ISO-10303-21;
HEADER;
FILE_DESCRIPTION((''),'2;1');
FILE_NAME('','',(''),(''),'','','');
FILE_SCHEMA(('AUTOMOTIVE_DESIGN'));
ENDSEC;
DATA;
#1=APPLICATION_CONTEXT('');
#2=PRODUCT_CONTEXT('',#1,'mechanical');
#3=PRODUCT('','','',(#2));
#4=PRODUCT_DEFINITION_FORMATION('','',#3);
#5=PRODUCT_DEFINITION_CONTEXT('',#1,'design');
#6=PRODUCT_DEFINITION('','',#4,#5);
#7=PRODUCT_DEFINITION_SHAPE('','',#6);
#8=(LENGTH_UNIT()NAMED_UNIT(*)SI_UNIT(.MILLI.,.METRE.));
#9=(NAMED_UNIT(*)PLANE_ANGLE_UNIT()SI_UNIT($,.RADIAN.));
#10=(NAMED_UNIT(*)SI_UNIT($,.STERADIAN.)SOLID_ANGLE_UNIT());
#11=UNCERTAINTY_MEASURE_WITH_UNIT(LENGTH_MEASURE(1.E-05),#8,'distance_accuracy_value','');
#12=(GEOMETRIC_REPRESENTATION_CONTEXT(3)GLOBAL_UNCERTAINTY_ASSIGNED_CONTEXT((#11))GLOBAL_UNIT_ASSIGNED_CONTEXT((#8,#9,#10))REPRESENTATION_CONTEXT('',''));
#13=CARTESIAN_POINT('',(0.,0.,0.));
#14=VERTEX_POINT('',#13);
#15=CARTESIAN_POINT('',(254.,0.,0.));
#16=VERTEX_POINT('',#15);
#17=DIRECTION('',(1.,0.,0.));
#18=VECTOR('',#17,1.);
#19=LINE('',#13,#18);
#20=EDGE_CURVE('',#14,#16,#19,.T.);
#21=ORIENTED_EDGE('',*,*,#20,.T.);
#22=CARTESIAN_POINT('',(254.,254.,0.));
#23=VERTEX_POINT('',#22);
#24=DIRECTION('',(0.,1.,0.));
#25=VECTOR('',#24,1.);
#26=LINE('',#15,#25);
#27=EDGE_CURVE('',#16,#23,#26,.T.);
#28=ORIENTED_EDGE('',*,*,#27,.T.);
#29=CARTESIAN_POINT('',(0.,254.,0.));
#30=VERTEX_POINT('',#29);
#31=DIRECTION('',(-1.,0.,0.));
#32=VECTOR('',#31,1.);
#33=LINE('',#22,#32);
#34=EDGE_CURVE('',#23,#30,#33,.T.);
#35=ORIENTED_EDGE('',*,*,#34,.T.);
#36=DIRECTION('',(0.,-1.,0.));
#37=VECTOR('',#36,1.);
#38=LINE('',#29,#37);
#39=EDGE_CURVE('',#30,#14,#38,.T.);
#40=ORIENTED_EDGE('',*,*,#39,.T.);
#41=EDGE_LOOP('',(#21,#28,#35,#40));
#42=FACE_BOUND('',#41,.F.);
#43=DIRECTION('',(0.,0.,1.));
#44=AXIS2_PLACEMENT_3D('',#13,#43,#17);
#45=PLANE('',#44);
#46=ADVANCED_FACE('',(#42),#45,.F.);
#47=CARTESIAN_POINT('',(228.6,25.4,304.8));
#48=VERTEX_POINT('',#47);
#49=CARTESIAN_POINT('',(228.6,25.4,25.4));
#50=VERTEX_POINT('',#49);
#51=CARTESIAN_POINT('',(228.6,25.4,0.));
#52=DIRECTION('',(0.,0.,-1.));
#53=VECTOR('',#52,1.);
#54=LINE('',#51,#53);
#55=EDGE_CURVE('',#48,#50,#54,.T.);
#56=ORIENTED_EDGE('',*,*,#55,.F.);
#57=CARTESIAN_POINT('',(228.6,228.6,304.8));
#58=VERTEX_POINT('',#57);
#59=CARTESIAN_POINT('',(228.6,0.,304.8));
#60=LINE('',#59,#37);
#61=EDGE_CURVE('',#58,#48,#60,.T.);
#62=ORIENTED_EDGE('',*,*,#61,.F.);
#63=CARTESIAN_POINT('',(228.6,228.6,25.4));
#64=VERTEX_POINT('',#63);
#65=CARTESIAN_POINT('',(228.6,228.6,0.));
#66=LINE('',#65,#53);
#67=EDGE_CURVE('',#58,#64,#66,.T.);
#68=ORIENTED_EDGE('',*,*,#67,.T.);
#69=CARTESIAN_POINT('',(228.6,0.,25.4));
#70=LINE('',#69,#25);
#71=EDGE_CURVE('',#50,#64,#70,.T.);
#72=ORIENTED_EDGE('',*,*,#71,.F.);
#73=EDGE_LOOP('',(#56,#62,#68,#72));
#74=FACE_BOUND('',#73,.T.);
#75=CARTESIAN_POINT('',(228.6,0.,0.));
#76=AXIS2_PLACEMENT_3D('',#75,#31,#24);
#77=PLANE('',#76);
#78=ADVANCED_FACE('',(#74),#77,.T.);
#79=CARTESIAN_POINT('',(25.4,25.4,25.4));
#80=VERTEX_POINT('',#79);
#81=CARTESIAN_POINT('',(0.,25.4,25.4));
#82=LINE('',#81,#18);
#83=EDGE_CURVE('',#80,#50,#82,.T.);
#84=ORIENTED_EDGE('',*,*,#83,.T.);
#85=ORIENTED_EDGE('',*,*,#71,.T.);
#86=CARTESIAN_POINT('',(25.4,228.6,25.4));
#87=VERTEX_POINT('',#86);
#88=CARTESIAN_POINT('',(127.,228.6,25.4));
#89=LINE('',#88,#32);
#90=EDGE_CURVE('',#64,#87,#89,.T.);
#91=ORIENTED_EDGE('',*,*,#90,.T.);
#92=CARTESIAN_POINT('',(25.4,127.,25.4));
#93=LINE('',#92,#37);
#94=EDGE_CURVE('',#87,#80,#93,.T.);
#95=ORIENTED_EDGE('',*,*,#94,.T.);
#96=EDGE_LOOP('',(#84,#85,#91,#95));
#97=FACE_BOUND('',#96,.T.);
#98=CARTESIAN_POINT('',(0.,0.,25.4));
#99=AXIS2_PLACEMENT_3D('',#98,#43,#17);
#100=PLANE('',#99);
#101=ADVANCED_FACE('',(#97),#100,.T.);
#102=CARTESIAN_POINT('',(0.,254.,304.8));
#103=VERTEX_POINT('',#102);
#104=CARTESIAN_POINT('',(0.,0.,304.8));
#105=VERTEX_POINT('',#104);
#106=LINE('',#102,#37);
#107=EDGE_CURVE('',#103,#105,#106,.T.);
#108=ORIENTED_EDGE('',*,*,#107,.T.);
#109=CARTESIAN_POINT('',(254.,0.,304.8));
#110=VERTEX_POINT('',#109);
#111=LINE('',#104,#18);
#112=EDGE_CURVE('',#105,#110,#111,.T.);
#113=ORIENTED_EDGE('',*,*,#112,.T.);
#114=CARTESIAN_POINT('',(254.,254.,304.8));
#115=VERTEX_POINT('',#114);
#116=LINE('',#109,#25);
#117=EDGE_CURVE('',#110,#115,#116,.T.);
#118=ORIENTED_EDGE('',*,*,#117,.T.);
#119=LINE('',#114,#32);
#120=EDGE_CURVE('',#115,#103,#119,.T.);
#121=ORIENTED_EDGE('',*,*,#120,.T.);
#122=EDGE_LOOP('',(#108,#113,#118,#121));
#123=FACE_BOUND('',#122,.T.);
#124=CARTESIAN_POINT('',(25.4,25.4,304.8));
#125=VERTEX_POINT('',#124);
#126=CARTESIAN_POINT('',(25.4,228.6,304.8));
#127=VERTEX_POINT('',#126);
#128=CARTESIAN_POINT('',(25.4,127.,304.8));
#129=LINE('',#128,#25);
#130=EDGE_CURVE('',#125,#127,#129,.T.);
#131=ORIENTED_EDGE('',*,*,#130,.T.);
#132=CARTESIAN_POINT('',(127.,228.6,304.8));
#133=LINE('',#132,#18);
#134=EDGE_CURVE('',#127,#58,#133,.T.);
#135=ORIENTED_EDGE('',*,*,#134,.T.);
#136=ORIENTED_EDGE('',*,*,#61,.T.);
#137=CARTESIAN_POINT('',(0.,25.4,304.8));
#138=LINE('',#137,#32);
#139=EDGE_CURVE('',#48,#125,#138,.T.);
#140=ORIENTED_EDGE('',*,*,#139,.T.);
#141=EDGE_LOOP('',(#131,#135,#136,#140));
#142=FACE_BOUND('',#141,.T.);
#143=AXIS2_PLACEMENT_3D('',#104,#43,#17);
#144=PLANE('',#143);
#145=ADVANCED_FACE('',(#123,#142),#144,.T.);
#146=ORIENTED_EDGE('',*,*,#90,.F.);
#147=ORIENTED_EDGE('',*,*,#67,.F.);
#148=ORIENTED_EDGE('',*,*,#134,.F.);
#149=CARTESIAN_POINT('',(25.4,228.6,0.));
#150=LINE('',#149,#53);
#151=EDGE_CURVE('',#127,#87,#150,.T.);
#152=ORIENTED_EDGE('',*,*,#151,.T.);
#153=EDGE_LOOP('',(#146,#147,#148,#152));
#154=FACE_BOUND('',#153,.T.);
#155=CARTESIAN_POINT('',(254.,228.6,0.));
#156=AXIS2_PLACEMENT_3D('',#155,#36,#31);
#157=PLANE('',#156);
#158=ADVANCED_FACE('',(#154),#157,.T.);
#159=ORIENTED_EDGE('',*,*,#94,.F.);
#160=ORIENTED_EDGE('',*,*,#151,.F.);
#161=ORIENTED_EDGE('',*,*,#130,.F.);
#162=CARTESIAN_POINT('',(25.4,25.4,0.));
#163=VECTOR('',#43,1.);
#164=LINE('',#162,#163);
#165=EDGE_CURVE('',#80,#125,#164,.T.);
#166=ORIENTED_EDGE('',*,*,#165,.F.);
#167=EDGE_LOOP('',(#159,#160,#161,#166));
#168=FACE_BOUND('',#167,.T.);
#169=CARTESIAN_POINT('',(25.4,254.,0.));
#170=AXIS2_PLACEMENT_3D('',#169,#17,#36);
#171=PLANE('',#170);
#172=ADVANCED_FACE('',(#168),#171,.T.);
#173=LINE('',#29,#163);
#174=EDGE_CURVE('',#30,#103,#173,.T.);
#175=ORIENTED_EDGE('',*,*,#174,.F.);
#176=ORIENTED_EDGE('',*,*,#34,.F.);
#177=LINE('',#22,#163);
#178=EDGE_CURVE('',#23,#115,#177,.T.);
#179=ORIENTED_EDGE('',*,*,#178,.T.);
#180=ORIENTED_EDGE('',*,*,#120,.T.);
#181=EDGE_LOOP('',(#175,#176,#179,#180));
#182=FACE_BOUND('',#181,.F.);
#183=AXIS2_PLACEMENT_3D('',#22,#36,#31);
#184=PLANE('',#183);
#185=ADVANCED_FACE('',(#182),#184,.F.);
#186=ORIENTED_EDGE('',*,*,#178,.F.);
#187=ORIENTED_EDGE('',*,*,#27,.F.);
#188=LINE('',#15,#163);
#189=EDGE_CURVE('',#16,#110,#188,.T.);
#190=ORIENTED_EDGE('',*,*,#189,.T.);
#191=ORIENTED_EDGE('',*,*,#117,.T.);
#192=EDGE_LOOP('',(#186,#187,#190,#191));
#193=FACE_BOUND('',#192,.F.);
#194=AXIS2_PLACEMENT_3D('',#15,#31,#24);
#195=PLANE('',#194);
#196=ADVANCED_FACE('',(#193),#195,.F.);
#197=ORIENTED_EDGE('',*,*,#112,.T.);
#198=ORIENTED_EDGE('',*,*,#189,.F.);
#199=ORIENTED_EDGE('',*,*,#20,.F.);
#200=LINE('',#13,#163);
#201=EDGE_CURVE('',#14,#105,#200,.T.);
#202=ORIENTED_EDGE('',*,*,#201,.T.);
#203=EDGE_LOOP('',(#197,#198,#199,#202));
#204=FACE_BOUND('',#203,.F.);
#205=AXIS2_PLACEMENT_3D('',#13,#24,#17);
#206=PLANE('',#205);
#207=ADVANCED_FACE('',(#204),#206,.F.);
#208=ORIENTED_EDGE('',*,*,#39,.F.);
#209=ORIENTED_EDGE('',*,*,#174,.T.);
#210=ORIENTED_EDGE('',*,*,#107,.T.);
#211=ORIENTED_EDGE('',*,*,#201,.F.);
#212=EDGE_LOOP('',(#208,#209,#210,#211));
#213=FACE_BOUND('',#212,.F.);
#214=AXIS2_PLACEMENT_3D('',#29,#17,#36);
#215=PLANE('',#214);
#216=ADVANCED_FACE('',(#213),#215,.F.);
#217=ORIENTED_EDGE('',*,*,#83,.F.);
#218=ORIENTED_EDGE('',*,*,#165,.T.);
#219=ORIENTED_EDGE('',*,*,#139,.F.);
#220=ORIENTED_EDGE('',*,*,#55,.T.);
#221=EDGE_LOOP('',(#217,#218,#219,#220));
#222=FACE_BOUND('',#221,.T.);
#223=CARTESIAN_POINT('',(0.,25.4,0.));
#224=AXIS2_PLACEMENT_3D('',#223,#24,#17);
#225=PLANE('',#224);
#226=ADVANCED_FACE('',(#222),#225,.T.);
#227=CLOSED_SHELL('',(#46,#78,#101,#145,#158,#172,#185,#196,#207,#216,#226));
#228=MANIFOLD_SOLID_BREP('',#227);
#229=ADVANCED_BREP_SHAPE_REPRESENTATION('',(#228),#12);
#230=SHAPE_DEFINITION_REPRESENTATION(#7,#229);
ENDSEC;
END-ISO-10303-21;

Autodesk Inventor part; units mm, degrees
ref_plane "YZ Plane" through (0, 0, 0) normal (1, 0, 0) x (0, 1, 0)
ref_plane "XZ Plane" through (0, 0, 0) normal (0, 1, 0) x (-1, 0, 0)
ref_plane "XY Plane" through (0, 0, 0) normal (0, 0, 1) x (1, 0, 0)
sketch "Sketch1" plane through (0, 0, 0) normal (0, 0, 1) x (1, 0, 0)
  line L0 (0, 0) -> (254, 0)
  line L1 (254, 0) -> (254, 254)
  line L2 (254, 254) -> (0, 254)
  line L3 (0, 254) -> (0, 0)
  dimension "d0" = 254
  dimension "d1" = 254
extrude "Extrusion1" add sketch "Sketch1" along normal blind 304.8
shell "Shell1" thickness 25.4 removed faces 1 at (169.3333, 84.6667, 304.8)
equation "\"d1\" = d0"
properties part number "Blue truck"
